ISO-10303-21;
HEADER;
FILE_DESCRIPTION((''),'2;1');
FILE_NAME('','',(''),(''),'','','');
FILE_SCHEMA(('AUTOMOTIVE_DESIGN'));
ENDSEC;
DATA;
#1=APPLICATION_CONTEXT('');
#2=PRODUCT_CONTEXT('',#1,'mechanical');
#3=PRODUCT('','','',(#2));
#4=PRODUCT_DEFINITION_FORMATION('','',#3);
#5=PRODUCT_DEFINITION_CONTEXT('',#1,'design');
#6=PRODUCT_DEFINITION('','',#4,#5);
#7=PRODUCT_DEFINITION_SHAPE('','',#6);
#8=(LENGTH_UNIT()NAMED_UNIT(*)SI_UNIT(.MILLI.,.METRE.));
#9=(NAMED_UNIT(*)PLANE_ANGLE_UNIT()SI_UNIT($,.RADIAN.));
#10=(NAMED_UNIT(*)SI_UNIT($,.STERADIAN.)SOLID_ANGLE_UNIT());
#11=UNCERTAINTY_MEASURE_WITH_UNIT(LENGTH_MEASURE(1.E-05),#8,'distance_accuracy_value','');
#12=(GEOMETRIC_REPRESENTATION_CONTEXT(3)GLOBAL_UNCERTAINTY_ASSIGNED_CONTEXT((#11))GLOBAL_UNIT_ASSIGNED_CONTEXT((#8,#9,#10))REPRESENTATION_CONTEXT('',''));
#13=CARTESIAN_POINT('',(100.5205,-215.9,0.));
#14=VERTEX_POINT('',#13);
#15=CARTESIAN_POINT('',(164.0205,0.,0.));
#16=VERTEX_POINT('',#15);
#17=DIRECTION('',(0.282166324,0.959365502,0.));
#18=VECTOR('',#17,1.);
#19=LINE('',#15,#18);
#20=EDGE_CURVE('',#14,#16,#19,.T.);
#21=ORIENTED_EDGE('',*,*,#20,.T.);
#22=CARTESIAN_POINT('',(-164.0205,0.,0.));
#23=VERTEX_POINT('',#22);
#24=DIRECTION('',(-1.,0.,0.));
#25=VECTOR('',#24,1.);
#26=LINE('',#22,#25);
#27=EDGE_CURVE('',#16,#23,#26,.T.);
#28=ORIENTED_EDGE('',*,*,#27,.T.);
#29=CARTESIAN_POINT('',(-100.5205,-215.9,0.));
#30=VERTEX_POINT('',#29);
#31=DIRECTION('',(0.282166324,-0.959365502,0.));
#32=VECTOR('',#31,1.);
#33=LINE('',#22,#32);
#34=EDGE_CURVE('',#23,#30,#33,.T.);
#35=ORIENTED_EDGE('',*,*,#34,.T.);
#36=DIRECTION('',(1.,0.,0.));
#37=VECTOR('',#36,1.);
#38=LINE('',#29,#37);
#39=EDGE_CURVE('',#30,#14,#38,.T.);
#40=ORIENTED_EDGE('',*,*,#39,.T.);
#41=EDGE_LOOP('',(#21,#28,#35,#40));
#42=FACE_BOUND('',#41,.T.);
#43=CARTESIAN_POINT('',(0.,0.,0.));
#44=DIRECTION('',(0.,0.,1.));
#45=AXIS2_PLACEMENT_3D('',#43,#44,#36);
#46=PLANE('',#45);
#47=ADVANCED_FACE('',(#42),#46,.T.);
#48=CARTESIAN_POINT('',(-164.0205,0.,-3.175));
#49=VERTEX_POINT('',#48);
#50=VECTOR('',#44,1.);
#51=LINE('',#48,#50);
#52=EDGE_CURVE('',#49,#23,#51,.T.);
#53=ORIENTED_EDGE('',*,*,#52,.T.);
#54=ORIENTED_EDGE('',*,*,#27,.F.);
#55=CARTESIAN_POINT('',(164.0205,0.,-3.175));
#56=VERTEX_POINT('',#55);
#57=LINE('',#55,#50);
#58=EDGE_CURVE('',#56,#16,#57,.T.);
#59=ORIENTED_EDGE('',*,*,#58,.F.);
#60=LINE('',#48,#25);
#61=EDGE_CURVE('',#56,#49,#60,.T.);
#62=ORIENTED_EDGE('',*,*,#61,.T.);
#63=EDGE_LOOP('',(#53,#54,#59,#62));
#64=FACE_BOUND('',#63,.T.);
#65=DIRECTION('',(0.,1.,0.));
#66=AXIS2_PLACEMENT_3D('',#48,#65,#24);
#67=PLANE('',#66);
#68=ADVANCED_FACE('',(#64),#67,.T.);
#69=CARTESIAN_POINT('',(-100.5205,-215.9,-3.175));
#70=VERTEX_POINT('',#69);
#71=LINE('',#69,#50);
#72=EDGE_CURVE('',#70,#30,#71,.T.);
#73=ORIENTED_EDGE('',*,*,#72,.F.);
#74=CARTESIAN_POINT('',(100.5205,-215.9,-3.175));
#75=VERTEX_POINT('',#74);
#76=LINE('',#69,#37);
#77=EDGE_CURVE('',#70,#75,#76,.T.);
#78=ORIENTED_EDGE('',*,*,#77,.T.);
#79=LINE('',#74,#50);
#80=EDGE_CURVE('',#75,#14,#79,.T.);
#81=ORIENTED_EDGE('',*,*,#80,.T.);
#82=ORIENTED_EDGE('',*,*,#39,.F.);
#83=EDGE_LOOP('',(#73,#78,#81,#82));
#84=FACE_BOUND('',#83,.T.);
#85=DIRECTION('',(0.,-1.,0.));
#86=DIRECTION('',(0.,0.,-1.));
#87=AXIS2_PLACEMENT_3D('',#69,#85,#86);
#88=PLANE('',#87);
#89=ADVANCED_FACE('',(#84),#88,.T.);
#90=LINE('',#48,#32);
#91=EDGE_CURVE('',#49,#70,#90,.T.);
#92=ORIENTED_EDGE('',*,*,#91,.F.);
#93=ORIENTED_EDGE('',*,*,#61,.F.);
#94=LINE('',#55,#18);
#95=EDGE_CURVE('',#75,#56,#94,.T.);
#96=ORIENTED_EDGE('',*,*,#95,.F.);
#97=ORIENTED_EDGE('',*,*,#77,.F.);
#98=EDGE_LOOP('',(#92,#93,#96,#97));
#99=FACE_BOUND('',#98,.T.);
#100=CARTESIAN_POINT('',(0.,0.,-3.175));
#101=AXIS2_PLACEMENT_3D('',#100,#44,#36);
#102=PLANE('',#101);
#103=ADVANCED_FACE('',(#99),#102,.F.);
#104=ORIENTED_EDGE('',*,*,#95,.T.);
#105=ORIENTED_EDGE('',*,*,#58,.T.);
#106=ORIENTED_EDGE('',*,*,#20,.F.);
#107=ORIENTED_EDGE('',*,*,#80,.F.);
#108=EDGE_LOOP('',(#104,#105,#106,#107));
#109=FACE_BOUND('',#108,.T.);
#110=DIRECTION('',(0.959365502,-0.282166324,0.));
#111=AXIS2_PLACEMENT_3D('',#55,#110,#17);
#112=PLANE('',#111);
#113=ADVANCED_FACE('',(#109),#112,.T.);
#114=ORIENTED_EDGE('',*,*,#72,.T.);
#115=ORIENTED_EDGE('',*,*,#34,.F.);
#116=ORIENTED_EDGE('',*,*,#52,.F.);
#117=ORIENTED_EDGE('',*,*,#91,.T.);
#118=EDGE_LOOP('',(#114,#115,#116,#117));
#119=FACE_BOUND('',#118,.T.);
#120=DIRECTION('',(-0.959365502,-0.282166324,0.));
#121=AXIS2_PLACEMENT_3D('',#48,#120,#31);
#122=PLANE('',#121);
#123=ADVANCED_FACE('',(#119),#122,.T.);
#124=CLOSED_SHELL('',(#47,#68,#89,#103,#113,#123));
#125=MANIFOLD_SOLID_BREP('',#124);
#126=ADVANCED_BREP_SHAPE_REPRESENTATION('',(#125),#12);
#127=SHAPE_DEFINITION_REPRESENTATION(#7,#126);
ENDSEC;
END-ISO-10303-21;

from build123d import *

# Parameters (mm, degrees)
BOSS_EXTRUDE1_DEPTH = 3.175


with BuildPart() as part:
    # Sketch1 → Boss-Extrude1 (new body)
    with BuildSketch(Plane.XY):
        Polygon((-164.0205, 0), (164.0205, 0), (100.5205, -215.9), (-100.5205, -215.9), align=None)
    extrude(amount=-BOSS_EXTRUDE1_DEPTH)


solid = part.part
